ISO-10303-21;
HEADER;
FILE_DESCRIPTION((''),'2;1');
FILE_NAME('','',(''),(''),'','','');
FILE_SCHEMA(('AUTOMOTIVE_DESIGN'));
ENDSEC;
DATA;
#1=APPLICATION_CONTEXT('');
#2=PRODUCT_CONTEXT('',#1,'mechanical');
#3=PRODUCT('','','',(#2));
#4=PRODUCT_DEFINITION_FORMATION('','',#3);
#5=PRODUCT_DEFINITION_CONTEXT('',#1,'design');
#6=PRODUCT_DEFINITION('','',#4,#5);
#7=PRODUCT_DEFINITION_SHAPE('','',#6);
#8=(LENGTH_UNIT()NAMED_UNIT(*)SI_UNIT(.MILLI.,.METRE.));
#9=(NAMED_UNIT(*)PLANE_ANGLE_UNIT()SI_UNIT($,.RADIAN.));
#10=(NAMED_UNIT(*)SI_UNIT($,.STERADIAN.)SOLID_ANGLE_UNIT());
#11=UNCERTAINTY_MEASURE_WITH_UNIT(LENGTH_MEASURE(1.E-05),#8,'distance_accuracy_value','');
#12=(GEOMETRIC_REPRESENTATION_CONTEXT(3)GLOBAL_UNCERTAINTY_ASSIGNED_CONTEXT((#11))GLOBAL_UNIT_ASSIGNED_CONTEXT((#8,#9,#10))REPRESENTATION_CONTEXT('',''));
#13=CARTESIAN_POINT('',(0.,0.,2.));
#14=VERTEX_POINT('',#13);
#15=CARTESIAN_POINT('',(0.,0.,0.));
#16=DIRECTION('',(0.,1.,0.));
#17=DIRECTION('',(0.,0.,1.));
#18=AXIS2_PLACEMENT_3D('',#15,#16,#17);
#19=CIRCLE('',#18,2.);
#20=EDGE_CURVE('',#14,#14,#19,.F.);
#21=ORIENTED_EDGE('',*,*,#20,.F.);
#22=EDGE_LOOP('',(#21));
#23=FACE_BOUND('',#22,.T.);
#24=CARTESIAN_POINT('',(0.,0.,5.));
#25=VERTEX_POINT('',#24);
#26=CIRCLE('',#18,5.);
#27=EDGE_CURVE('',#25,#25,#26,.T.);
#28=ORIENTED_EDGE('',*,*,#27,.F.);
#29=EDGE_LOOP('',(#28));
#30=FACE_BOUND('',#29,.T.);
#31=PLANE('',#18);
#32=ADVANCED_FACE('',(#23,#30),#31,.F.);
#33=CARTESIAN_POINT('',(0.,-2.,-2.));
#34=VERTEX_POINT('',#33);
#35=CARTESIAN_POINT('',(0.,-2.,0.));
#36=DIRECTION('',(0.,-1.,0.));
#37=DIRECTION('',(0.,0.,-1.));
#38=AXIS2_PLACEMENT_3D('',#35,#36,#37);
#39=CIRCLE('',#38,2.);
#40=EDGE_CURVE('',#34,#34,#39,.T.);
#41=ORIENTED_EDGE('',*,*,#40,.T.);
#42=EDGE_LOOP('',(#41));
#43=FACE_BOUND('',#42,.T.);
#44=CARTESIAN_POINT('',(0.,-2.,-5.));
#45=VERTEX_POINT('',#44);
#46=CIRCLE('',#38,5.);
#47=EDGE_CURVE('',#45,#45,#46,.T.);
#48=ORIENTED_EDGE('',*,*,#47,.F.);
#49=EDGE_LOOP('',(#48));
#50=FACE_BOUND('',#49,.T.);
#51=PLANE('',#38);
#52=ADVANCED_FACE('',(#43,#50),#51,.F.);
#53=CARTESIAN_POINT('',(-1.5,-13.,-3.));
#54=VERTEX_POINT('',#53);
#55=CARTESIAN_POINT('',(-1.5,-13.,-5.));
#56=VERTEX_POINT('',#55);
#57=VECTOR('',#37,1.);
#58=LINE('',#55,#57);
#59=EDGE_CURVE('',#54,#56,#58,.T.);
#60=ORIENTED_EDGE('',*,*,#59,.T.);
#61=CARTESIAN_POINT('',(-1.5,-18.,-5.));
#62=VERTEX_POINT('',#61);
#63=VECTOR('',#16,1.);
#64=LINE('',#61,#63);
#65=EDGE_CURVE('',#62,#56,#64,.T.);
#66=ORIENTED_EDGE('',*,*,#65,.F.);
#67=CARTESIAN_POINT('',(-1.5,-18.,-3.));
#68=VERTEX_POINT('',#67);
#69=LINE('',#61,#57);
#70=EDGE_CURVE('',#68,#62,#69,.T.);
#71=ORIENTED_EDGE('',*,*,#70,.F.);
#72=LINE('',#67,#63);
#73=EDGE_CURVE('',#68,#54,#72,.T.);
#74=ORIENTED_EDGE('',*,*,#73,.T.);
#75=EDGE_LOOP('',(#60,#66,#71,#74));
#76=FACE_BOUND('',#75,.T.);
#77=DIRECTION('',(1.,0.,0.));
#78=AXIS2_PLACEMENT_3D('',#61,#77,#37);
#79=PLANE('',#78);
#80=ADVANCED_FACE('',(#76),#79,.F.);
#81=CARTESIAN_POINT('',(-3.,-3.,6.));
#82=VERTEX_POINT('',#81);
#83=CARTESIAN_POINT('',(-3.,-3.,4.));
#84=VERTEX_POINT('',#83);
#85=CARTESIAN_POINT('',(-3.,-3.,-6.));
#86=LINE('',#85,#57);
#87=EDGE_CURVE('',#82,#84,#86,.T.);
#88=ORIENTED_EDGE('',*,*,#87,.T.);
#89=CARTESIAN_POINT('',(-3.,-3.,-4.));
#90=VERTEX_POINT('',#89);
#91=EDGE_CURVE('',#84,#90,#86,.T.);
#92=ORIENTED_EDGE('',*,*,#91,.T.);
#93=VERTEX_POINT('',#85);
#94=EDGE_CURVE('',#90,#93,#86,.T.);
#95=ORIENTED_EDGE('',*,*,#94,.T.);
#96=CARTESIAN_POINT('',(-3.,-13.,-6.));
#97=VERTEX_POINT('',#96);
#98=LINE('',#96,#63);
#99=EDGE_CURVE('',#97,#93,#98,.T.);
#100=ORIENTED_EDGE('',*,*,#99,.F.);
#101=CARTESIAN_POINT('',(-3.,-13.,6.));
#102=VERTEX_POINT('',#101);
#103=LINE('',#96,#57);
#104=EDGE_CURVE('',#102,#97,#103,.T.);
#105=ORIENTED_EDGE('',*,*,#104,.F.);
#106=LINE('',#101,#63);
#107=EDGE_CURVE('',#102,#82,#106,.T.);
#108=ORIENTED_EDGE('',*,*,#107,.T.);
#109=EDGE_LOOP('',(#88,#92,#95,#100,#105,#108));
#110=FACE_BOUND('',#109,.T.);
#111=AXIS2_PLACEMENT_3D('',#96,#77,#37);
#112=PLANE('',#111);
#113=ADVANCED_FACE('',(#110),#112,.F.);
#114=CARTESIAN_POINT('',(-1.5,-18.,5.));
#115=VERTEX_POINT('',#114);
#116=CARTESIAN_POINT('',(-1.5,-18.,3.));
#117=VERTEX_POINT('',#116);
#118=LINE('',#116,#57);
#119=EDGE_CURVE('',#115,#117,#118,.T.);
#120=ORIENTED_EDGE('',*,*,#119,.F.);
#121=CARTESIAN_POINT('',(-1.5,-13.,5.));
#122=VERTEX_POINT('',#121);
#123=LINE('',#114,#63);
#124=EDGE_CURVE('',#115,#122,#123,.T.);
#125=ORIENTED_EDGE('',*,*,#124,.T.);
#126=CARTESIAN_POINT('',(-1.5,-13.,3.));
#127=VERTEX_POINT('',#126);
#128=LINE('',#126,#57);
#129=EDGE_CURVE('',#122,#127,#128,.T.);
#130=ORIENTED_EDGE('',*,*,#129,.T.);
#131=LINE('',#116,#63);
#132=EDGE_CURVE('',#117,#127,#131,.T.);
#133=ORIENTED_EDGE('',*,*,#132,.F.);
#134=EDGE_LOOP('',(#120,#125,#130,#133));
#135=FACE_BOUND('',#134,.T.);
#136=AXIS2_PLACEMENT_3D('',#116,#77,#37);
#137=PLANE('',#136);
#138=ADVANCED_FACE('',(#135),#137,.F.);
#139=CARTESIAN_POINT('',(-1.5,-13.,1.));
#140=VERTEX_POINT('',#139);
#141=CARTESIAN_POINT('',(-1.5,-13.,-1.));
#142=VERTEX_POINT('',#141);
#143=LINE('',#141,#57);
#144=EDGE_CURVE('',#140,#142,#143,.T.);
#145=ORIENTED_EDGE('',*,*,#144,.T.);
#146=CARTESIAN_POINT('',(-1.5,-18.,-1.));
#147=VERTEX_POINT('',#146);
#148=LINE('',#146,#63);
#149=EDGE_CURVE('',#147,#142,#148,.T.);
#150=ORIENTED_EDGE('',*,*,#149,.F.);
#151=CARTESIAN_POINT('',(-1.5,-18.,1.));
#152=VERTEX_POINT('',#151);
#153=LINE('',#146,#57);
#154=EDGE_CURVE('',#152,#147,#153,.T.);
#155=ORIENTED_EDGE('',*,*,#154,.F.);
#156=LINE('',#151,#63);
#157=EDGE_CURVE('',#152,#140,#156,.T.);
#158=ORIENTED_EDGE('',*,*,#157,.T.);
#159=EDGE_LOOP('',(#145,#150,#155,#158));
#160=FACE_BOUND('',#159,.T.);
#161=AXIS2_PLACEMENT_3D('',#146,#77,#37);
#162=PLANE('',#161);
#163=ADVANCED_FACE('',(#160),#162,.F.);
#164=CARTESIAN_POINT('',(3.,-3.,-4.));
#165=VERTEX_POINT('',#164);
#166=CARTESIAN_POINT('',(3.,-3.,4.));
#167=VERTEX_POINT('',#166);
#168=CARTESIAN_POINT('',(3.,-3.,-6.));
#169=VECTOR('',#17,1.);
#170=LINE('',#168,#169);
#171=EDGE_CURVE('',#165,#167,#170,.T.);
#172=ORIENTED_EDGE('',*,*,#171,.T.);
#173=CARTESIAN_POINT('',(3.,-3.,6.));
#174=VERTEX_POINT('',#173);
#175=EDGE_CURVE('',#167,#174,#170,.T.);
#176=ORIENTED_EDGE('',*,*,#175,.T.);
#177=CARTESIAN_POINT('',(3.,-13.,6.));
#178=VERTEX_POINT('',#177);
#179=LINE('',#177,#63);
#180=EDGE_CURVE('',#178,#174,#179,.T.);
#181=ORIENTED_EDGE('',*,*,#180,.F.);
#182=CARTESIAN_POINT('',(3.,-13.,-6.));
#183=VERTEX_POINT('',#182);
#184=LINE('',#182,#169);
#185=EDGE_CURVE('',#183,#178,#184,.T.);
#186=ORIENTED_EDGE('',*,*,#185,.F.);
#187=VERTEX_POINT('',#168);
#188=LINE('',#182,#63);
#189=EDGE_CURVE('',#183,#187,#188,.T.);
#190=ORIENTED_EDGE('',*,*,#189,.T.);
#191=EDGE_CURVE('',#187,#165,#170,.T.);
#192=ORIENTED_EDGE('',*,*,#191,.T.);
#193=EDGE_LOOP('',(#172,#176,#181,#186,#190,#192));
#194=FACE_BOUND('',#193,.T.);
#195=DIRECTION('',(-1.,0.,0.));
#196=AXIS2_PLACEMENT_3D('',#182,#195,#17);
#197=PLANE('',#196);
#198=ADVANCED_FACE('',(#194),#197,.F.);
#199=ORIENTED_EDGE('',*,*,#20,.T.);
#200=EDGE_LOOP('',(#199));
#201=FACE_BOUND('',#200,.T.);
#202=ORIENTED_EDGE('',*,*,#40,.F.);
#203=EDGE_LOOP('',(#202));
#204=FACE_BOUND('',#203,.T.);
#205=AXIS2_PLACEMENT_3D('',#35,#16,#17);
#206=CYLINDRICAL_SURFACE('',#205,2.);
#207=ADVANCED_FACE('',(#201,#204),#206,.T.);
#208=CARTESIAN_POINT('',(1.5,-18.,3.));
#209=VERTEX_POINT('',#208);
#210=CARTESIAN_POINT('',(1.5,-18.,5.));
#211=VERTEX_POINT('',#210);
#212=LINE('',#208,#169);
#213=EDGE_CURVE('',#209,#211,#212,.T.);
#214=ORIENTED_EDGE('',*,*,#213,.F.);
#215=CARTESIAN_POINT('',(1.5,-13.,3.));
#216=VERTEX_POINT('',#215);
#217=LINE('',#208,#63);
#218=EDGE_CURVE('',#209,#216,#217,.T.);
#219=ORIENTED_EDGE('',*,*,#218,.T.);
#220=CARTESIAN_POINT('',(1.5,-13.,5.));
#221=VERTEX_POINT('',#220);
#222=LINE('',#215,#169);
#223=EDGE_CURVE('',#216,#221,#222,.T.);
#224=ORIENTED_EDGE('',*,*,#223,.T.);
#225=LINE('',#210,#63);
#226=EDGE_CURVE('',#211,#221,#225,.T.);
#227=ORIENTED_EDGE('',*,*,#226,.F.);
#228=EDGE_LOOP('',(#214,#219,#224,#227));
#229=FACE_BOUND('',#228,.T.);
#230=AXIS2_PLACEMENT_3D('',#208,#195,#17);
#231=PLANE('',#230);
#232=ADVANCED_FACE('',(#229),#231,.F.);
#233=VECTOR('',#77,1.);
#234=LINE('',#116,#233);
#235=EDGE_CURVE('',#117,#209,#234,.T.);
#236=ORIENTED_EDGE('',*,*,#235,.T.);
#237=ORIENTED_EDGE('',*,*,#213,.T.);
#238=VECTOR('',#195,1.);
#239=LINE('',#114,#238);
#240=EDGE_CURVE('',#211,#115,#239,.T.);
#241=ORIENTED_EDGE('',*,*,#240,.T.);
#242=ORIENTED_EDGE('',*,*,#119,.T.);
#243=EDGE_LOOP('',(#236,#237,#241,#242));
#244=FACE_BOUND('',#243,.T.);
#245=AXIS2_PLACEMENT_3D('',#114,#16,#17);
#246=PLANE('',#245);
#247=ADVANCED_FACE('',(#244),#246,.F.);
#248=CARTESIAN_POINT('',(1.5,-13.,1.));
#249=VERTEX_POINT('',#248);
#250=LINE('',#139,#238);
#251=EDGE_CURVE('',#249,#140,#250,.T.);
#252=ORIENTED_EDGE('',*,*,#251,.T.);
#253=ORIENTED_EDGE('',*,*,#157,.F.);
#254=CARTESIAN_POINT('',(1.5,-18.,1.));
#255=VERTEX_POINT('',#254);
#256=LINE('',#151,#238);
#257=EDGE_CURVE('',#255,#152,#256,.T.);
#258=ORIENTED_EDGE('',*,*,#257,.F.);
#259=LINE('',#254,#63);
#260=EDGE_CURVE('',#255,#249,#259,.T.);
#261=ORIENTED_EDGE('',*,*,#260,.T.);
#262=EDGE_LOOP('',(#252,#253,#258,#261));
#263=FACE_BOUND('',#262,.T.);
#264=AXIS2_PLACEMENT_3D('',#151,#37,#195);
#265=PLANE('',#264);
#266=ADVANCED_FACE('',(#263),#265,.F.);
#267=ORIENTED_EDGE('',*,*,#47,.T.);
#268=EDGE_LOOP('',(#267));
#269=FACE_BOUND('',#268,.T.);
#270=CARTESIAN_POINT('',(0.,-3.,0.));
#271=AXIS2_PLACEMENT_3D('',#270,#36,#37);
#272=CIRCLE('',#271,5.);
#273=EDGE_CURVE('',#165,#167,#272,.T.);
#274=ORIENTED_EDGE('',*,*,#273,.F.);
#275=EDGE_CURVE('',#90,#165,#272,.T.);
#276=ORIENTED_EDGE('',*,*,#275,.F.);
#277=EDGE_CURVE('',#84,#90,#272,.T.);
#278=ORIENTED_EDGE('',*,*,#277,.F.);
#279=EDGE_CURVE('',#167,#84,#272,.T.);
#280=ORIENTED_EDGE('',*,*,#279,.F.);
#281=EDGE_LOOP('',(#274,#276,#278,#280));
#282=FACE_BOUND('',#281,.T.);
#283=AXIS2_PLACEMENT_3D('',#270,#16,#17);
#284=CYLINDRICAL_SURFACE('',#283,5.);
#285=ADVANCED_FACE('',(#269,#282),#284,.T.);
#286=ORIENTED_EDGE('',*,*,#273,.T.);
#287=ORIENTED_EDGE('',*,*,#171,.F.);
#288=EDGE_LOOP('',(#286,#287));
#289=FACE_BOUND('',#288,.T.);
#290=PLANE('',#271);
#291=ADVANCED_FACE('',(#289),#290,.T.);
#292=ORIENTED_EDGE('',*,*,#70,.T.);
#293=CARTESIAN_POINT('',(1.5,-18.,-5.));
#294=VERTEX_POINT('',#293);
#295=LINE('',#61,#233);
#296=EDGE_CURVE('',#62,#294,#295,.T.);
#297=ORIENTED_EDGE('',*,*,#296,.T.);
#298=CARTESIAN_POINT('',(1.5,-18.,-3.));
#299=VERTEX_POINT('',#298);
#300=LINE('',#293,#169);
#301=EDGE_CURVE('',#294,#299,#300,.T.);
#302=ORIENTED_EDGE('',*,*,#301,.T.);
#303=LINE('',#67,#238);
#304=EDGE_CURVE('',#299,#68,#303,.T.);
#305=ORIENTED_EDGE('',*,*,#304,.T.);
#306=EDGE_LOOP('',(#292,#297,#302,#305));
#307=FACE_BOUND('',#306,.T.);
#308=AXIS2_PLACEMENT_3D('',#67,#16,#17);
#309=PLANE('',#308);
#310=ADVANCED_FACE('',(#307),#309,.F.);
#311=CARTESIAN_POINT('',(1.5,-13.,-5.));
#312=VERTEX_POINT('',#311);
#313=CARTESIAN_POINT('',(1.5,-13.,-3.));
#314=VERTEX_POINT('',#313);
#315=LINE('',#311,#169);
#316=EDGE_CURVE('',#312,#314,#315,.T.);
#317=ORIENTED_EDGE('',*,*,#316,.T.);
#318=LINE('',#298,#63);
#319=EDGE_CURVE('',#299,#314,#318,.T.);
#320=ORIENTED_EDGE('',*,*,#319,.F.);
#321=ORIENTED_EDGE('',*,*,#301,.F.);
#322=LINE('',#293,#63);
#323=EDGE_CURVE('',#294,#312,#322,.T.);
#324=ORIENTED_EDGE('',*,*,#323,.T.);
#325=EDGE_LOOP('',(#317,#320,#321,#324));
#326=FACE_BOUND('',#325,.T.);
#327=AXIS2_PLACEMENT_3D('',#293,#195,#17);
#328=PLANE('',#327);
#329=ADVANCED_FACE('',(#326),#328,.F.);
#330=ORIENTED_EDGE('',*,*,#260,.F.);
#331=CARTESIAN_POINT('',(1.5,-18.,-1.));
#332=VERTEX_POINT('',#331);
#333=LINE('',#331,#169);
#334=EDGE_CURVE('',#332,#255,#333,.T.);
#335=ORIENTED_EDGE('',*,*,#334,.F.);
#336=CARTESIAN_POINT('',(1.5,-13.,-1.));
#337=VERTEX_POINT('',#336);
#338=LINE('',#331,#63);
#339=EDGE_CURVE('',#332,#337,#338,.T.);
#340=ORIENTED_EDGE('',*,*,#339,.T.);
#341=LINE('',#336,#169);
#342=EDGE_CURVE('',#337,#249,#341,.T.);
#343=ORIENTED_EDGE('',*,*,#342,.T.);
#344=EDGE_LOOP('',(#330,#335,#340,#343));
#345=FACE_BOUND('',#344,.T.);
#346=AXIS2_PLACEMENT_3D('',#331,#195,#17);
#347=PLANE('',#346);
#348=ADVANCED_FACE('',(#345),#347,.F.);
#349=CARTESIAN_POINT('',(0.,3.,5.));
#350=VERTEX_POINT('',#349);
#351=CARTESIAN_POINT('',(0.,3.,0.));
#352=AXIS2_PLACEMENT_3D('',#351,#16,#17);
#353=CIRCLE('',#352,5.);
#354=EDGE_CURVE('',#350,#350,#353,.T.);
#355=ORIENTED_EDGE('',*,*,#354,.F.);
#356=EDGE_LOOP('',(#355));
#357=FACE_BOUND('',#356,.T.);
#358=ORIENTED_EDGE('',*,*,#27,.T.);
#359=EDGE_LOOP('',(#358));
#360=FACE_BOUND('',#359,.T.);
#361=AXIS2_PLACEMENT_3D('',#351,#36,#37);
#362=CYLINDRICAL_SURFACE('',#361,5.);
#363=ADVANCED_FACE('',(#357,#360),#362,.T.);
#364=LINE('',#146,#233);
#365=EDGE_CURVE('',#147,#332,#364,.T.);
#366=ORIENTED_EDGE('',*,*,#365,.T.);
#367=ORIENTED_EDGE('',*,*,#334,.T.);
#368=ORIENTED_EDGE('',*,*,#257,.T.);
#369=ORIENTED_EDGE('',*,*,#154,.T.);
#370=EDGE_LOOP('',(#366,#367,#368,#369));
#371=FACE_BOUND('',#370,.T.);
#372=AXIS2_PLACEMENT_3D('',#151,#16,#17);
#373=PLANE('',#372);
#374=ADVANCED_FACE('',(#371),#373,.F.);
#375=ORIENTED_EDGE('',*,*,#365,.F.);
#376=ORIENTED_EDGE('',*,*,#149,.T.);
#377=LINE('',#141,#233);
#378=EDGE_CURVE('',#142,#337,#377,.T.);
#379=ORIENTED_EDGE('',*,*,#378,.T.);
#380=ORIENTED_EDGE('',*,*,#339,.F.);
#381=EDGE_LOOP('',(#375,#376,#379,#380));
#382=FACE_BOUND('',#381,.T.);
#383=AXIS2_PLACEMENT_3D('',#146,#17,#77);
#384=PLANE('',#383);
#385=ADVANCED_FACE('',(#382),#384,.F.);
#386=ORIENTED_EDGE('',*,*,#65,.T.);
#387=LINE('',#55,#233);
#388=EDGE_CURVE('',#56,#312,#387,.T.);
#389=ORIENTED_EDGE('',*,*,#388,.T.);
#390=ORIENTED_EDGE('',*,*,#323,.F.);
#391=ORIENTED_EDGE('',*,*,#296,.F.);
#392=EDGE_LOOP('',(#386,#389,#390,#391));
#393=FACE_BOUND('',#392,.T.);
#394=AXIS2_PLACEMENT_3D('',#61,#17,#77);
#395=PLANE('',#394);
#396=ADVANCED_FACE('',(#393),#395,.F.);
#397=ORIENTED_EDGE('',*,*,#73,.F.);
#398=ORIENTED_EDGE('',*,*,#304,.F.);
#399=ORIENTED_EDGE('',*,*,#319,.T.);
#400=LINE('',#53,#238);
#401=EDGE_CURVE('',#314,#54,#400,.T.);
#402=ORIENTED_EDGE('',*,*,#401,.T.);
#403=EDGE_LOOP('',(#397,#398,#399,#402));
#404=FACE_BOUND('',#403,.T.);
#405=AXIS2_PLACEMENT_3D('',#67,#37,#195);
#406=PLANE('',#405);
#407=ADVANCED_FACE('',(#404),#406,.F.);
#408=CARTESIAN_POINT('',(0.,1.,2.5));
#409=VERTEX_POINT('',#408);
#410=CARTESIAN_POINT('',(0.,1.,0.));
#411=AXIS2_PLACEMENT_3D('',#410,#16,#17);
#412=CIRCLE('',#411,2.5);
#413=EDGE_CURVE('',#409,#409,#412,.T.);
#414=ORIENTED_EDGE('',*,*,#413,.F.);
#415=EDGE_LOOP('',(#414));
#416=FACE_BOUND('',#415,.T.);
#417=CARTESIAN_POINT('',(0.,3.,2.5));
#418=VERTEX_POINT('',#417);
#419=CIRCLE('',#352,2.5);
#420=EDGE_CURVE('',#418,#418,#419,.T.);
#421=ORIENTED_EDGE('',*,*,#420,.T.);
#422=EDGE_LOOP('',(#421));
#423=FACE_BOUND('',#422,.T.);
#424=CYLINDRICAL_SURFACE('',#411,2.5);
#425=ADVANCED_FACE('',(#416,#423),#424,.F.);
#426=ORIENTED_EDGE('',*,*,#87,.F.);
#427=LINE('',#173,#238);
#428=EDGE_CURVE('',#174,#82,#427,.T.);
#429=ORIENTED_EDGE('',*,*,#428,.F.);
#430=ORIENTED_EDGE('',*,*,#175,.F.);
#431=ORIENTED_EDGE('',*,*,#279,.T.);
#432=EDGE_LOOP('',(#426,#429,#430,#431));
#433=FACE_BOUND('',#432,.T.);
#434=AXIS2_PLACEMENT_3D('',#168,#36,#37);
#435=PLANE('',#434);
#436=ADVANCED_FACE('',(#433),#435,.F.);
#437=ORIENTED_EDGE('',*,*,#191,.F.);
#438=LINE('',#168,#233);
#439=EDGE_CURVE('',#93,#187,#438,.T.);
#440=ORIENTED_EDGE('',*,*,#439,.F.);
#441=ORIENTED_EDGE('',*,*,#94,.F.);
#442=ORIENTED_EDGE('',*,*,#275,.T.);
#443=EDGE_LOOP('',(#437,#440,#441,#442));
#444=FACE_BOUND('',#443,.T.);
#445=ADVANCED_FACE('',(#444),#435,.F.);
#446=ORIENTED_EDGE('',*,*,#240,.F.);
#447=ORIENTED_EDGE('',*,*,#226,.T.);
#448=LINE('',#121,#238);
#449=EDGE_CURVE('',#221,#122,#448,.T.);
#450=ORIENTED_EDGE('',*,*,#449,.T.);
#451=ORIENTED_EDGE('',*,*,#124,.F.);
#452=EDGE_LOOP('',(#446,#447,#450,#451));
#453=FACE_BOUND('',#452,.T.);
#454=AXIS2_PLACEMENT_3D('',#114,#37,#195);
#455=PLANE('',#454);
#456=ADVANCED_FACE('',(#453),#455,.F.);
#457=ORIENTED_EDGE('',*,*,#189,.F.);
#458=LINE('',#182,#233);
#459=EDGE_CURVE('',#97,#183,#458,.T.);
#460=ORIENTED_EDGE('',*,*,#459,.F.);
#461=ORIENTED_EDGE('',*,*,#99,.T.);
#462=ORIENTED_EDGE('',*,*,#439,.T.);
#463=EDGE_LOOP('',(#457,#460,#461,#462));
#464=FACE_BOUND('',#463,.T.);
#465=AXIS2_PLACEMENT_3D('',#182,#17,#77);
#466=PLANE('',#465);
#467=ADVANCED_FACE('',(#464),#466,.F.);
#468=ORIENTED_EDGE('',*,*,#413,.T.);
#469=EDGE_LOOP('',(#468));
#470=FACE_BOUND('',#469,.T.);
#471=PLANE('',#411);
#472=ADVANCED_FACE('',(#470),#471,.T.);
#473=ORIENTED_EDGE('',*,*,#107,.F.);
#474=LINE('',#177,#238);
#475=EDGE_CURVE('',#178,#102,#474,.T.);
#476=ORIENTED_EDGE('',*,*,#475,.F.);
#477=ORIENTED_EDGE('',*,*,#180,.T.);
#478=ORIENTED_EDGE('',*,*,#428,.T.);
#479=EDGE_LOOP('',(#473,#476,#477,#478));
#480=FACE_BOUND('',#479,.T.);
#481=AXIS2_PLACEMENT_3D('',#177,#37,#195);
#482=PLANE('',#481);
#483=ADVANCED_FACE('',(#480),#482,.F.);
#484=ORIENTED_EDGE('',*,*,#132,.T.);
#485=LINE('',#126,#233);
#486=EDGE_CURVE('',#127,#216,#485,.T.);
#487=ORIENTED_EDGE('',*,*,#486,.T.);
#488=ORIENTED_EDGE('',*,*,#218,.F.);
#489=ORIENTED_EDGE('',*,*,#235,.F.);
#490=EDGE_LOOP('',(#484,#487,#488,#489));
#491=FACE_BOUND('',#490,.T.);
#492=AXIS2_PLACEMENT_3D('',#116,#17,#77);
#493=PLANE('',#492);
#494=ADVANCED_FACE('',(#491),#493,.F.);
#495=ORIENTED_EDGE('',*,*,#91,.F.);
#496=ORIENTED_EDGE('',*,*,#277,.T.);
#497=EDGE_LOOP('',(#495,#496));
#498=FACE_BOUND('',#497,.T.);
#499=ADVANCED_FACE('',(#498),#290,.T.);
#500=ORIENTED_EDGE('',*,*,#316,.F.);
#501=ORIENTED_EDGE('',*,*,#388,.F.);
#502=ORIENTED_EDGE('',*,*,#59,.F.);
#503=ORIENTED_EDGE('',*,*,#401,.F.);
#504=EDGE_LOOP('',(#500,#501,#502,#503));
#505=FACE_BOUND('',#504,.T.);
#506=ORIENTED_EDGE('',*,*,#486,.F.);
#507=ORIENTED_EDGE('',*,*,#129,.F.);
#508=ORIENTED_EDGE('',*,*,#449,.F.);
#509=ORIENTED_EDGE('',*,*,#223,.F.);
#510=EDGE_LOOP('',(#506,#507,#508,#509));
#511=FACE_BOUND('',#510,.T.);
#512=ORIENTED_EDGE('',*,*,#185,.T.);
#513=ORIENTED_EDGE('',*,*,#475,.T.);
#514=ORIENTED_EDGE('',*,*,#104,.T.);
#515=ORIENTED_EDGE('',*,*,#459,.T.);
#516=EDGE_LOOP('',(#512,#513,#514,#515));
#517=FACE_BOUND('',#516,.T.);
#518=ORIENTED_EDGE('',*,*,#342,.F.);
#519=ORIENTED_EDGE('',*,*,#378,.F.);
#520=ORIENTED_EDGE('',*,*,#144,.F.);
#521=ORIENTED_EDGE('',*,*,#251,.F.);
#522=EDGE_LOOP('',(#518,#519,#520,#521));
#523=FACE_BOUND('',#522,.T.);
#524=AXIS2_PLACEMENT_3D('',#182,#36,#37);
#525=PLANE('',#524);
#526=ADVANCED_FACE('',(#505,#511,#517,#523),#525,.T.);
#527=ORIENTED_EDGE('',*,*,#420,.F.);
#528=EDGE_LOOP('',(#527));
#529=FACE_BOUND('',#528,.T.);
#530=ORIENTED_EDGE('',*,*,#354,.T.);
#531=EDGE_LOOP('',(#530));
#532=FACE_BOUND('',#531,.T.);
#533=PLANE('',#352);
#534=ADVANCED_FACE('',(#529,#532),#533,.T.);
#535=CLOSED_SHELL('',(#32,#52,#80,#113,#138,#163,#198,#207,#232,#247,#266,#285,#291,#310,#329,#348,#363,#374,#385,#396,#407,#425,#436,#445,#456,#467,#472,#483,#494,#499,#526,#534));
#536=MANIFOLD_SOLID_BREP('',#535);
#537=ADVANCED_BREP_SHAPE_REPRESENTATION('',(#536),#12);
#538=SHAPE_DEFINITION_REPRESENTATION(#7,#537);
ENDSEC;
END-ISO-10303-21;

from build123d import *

# Parameters (mm, degrees)
ESQUISSE1_R      = 5
EXTRUSION1_DEPTH = 3
ESQUISSE3_R      = 2
EXTRUSION3_DEPTH = 2
ESQUISSE4_R      = 5
EXTRUSION4_DEPTH = 1
ESQUISSE5_W      = 6
ESQUISSE5_H      = 12
EXTRUSION5_DEPTH = 10
ESQUISSE6_W      = 3
ESQUISSE6_H      = 2
EXTRUSION6_DEPTH = 5
ESQUISSE2_R      = 2.5
EXTRUSION7_DEPTH = 2


with BuildPart() as part:
    # Esquisse1 → Extrusion1 (new body)
    with BuildSketch(Plane(origin=(0, 0, 0), x_dir=(1, 0, 0), z_dir=(0, 1, 0))):
        Circle(ESQUISSE1_R)
    extrude(amount=EXTRUSION1_DEPTH)

    # Esquisse3 → Extrusion3 (add)
    with BuildSketch(Plane.XZ):
        Circle(ESQUISSE3_R)
    extrude(amount=EXTRUSION3_DEPTH)

    # Esquisse4 → Extrusion4 (add)
    with BuildSketch(Plane.XZ.offset(2)):
        Circle(ESQUISSE4_R)
    extrude(amount=EXTRUSION4_DEPTH)

    # Esquisse5 → Extrusion5 (add)
    with BuildSketch(Plane.XZ.offset(3)):
        Rectangle(ESQUISSE5_W, ESQUISSE5_H)
    extrude(amount=EXTRUSION5_DEPTH)

    # Esquisse6 → Extrusion6 (add)
    with BuildSketch(Plane.XZ.offset(13)):
        with Locations((0, 4)):
            Rectangle(ESQUISSE6_W, ESQUISSE6_H)
        Rectangle(ESQUISSE6_W, ESQUISSE6_H)
        with Locations((0, -4)):
            Rectangle(ESQUISSE6_W, ESQUISSE6_H)
    extrude(amount=EXTRUSION6_DEPTH)

    # Esquisse2 → Extrusion7 (cut)
    with BuildSketch(Plane(origin=(0, 3, 0), x_dir=(-1, 0, 0), z_dir=(0, 1, 0))):
        Circle(ESQUISSE2_R)
    extrude(amount=-EXTRUSION7_DEPTH, mode=Mode.SUBTRACT)


solid = part.part
